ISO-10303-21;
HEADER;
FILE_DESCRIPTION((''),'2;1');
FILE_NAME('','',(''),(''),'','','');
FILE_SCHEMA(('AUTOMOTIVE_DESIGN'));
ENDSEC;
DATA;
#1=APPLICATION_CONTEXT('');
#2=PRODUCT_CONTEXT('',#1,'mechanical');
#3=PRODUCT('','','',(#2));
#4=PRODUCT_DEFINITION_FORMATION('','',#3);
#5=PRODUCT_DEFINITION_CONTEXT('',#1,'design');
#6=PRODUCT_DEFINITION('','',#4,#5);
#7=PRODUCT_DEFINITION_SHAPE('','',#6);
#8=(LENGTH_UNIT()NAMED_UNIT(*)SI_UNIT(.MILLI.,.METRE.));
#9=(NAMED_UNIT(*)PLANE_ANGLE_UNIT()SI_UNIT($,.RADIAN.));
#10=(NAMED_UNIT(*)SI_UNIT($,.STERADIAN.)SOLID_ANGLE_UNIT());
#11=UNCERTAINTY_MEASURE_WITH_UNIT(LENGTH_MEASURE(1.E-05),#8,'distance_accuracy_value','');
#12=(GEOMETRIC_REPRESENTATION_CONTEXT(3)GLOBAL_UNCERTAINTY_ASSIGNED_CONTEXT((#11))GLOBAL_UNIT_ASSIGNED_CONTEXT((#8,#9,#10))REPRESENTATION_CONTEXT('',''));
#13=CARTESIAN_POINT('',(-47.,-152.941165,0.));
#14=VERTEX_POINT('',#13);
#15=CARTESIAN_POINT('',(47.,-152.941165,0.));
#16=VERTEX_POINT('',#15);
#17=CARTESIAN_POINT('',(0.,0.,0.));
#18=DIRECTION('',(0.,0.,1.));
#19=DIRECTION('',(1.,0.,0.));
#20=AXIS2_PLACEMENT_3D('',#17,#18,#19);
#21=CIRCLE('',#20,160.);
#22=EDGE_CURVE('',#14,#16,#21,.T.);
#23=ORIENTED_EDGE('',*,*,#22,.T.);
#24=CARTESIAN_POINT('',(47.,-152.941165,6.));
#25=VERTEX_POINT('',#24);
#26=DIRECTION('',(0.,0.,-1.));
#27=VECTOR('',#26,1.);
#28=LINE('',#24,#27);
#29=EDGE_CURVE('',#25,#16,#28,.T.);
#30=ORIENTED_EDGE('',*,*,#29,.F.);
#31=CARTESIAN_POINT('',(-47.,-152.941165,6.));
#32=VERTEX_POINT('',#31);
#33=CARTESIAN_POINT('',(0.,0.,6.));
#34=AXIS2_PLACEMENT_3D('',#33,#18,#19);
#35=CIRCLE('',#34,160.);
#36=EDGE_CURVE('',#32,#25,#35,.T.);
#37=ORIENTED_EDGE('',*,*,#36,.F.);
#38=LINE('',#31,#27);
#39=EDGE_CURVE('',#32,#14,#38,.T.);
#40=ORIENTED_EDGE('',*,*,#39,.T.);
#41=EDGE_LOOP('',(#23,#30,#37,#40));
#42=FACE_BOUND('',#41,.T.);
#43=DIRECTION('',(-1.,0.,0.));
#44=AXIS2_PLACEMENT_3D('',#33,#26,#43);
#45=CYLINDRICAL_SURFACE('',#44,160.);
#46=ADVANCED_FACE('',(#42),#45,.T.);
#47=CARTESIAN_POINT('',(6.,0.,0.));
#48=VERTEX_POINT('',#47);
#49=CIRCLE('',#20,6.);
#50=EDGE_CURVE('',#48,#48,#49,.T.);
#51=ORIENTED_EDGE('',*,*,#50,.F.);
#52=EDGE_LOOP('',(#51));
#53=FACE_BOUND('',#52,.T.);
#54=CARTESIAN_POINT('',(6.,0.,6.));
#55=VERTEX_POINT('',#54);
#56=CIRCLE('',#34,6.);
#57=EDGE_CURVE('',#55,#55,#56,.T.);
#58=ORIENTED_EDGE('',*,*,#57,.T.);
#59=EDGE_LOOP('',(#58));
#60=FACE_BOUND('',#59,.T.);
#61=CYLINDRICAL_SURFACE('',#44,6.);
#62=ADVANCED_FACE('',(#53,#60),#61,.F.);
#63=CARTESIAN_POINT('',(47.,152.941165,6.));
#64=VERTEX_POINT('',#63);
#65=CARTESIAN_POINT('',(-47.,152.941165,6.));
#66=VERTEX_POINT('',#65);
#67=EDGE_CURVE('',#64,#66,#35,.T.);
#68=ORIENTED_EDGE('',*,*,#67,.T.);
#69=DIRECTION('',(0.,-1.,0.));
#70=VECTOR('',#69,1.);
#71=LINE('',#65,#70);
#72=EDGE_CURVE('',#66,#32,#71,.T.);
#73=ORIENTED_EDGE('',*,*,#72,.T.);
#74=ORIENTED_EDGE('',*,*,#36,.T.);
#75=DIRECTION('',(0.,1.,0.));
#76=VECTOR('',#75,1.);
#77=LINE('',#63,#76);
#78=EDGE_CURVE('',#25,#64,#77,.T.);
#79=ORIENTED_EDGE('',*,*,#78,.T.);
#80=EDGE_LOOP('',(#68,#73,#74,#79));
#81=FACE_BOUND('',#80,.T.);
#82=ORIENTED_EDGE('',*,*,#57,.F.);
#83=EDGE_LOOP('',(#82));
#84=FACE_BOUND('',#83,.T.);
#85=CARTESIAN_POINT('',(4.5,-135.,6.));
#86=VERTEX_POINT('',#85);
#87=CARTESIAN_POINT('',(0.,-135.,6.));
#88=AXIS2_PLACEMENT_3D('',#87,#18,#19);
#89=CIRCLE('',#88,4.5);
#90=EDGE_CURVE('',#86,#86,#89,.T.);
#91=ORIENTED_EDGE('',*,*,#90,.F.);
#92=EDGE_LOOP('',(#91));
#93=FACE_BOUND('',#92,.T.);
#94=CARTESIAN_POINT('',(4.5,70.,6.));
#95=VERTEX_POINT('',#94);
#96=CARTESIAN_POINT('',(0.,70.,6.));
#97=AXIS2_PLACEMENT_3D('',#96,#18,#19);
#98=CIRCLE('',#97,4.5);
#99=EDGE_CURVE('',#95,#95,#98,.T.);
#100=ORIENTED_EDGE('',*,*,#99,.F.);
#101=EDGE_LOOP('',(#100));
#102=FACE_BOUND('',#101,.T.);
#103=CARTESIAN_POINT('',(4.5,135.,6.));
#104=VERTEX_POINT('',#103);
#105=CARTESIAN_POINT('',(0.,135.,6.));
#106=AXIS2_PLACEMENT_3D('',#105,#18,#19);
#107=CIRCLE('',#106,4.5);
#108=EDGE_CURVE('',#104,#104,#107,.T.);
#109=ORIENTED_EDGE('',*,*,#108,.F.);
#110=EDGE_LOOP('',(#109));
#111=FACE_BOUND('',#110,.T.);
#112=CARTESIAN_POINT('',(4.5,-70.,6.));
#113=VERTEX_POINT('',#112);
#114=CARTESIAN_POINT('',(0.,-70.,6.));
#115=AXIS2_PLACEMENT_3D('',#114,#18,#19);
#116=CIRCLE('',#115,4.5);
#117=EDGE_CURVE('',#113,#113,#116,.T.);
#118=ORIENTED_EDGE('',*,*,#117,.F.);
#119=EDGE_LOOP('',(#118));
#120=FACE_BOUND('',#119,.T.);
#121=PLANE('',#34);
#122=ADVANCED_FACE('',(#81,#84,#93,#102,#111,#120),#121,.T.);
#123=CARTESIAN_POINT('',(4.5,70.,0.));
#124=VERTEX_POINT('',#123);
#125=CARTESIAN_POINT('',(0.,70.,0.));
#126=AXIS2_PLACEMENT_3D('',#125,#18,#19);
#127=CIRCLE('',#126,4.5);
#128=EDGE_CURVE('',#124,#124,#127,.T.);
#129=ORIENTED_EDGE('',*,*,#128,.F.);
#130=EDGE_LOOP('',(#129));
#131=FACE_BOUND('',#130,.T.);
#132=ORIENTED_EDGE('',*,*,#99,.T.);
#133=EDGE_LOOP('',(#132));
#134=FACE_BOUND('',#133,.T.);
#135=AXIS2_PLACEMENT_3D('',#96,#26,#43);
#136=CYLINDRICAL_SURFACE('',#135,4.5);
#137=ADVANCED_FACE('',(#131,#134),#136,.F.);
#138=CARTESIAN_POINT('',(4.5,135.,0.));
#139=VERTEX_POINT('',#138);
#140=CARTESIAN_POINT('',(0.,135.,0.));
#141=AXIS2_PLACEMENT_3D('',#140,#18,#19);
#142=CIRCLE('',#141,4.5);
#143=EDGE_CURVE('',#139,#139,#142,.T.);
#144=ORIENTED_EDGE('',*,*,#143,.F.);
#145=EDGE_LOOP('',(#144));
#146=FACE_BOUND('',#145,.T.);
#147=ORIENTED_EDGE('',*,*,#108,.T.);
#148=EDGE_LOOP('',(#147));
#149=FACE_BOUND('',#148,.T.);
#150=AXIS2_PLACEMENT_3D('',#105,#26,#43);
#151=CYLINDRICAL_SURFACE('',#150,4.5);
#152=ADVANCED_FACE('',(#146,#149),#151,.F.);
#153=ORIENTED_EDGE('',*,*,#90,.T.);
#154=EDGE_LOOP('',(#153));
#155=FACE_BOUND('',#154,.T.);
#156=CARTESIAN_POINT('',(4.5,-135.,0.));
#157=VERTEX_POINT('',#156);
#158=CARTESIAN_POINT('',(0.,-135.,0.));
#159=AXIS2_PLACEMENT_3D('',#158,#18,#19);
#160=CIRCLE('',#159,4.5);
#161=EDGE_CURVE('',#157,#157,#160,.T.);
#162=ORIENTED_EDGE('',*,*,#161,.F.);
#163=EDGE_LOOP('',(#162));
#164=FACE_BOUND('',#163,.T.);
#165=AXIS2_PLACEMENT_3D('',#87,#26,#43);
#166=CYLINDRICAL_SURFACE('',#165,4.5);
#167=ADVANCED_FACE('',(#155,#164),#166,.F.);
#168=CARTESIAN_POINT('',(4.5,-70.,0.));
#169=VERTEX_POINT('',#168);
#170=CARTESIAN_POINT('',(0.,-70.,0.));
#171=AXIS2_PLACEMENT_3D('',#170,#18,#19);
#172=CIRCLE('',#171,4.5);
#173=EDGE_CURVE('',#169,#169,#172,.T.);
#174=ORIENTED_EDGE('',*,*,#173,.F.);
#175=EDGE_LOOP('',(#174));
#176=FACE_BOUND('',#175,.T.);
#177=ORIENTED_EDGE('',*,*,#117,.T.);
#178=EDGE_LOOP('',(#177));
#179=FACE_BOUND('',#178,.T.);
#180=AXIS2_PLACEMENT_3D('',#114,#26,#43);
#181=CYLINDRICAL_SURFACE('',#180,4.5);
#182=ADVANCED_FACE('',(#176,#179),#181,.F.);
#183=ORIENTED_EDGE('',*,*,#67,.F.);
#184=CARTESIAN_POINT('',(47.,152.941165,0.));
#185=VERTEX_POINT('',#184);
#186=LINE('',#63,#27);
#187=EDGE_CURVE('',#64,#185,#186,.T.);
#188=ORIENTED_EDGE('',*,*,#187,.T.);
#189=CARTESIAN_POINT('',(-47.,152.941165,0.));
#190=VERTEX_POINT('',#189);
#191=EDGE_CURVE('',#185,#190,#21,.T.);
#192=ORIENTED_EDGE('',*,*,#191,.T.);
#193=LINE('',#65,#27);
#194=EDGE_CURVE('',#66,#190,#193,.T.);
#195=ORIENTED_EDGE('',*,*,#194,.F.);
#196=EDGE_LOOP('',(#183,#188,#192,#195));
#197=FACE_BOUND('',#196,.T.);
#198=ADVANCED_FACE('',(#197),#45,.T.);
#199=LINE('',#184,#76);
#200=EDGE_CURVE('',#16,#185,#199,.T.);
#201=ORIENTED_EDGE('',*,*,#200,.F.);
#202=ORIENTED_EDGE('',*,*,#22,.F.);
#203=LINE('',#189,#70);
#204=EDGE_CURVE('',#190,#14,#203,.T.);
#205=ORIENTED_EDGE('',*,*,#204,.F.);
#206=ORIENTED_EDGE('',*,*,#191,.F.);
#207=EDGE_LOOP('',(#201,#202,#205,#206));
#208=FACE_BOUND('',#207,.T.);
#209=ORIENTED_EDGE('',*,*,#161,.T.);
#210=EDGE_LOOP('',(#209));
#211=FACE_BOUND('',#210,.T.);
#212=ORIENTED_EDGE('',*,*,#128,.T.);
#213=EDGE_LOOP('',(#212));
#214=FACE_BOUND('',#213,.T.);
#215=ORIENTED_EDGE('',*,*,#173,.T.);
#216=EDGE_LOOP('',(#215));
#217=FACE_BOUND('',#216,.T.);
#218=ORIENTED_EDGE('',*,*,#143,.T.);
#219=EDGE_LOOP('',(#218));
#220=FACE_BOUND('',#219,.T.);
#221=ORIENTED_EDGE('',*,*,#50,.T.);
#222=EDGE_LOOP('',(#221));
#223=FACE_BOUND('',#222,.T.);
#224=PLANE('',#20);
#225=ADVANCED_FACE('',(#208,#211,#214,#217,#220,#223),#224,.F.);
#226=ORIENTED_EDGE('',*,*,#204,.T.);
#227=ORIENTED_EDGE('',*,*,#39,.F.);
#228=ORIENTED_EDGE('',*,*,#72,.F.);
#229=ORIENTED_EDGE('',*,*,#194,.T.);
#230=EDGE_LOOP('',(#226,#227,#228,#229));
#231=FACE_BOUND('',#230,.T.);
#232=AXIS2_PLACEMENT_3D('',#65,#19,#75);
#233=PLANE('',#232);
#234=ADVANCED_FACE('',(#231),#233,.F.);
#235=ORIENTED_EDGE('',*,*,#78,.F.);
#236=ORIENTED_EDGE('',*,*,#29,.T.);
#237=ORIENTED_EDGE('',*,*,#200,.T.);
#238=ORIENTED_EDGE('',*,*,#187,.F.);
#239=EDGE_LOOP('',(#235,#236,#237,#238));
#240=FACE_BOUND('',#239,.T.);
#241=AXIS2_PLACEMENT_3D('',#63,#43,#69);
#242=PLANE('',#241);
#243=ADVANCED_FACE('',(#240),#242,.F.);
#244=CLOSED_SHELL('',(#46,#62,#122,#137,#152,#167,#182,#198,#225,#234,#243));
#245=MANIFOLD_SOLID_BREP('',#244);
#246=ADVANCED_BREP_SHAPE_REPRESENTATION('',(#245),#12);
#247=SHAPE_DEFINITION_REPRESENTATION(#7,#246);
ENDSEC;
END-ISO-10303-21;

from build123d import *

# Parameters (mm, degrees)
SZKIC1_R                    = 6
SZKIC1_R_2                  = 4.5
DODANIE_WYCI_GNI_CIE1_DEPTH = 6


with BuildPart() as part:
    # Szkic1 → Dodanie-wyciągnięcie1 (new body)
    with BuildSketch(Plane.XY):
        with BuildLine():
            Line((-47, 152.941165158), (-47, -152.941165158))
            ThreePointArc((-47, -152.941165158), (0, -160), (47, -152.941165158))
            Line((47, -152.941165158), (47, 152.941165158))
            ThreePointArc((47, 152.941165158), (0, 160), (-47, 152.941165158))
        make_face()
        Circle(SZKIC1_R, mode=Mode.SUBTRACT)
        with Locations((0, -70)):
            Circle(SZKIC1_R_2, mode=Mode.SUBTRACT)
        with Locations((0, 70)):
            Circle(SZKIC1_R_2, mode=Mode.SUBTRACT)
        with Locations((0, 135)):
            Circle(SZKIC1_R_2, mode=Mode.SUBTRACT)
        with Locations((0, -135)):
            Circle(SZKIC1_R_2, mode=Mode.SUBTRACT)
    extrude(amount=DODANIE_WYCI_GNI_CIE1_DEPTH)


solid = part.part
